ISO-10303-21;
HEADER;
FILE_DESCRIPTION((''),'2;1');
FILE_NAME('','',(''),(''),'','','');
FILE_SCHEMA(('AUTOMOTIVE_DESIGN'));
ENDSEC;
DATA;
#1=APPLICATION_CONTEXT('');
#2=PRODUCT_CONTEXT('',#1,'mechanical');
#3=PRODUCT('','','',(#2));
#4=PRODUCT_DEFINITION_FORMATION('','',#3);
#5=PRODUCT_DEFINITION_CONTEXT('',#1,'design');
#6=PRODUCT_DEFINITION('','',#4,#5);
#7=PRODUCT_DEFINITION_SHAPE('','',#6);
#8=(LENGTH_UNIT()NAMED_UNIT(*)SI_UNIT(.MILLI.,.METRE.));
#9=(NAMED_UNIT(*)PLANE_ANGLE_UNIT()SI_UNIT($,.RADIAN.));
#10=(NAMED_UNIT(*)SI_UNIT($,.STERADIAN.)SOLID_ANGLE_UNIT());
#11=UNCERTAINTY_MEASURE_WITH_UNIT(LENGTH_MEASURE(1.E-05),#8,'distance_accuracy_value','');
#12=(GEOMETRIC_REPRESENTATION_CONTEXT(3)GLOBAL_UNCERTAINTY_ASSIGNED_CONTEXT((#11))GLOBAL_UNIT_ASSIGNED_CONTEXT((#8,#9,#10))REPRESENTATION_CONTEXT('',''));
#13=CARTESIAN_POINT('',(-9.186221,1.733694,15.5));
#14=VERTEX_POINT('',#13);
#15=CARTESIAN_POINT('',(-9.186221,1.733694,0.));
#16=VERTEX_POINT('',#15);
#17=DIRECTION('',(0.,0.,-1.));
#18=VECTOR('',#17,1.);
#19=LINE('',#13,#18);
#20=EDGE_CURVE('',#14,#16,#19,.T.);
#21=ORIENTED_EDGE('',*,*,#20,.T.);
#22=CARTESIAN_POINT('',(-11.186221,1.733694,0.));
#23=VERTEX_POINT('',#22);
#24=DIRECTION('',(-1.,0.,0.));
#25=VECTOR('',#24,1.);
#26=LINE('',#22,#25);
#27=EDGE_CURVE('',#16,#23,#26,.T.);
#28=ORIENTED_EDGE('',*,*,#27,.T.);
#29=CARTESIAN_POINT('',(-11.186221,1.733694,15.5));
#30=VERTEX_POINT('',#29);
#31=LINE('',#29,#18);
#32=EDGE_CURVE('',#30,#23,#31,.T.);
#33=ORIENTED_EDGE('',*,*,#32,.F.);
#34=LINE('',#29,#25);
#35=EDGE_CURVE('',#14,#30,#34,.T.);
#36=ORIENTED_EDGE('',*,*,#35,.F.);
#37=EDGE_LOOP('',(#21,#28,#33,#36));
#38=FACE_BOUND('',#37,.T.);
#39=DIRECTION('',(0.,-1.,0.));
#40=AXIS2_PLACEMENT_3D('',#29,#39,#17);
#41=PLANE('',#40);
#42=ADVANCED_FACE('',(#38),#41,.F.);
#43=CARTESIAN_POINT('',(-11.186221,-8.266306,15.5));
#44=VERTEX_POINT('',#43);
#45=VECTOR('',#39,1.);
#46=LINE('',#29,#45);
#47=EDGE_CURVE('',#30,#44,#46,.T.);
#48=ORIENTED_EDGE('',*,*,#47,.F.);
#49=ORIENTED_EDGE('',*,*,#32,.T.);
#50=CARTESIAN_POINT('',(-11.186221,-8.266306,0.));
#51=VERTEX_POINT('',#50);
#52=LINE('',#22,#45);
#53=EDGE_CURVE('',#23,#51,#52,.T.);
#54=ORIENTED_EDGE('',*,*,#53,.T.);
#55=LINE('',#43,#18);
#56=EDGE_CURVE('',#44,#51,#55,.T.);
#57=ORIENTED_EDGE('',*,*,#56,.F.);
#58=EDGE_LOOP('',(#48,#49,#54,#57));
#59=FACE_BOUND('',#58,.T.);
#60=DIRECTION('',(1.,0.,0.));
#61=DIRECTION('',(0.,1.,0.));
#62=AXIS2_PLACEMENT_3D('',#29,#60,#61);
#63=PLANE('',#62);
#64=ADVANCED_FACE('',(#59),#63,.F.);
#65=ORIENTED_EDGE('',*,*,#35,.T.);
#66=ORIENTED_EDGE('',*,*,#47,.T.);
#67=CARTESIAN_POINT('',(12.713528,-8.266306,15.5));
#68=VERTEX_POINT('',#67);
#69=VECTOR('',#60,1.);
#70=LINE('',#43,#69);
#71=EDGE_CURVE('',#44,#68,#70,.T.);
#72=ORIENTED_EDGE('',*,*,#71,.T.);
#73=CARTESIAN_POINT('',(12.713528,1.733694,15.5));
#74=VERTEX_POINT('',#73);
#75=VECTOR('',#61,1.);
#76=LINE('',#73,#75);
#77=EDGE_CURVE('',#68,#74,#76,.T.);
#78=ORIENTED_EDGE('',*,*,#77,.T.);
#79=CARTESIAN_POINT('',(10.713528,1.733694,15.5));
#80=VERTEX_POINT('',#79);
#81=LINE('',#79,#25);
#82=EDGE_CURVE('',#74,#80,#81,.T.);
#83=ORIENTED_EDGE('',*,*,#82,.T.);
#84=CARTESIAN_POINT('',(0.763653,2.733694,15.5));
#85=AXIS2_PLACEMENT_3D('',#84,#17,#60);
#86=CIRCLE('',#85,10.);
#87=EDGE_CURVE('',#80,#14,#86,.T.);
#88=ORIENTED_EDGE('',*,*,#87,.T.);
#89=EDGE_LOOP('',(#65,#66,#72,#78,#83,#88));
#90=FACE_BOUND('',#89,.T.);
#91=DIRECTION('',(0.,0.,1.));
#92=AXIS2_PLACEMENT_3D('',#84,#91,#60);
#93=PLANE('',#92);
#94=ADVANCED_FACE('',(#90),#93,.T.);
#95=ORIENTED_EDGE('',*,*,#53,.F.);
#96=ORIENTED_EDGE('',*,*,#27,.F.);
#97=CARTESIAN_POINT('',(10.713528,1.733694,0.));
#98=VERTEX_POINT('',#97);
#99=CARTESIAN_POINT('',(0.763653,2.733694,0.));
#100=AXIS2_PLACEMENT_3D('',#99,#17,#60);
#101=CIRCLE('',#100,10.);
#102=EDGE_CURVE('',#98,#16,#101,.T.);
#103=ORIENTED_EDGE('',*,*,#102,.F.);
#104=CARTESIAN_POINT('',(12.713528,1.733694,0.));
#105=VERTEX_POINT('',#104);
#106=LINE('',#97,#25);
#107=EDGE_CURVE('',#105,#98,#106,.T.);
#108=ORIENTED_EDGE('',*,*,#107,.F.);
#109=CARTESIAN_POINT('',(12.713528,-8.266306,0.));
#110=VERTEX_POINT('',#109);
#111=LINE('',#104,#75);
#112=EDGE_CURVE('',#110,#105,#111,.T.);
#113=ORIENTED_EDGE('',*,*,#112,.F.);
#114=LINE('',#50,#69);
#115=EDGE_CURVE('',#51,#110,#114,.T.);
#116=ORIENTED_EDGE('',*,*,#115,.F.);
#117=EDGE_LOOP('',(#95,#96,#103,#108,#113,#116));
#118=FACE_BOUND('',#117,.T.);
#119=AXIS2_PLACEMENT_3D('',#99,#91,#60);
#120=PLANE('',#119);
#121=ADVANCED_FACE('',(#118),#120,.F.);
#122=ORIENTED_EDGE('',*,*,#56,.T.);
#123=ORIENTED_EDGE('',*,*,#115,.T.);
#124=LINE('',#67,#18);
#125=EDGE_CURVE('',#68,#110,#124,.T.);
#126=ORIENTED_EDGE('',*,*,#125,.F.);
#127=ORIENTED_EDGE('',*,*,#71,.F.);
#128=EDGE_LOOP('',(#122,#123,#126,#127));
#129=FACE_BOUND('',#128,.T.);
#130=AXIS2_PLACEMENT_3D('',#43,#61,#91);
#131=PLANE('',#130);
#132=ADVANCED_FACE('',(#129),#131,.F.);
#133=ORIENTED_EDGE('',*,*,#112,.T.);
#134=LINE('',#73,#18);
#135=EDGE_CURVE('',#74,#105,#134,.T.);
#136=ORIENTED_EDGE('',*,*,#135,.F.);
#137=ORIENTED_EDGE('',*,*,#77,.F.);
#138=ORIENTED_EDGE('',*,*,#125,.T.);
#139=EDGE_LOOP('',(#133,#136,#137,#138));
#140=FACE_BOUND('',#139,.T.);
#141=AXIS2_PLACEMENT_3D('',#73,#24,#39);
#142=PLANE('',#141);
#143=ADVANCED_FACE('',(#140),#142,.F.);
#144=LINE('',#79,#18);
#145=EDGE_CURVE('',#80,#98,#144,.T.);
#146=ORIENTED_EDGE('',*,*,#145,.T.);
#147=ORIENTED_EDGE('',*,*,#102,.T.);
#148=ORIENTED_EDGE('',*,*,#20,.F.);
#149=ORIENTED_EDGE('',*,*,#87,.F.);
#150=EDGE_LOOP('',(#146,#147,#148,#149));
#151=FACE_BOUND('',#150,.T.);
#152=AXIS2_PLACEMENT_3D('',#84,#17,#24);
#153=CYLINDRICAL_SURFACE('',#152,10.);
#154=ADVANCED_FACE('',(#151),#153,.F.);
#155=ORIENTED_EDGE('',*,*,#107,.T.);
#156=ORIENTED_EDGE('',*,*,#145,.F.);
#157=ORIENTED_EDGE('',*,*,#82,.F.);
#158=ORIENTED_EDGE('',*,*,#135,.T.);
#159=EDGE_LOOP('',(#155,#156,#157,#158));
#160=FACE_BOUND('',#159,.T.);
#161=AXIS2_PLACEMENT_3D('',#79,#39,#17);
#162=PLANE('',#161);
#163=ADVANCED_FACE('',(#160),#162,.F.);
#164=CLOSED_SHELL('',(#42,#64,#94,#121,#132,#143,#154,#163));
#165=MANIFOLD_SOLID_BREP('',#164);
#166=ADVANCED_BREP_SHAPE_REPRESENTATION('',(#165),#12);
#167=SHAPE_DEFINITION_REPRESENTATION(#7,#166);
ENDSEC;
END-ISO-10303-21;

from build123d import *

# Parameters (mm, degrees)
EXTRUDE_1_DEPTH = 15.5


with BuildPart() as part:
    # 草图1 → 凸台-拉伸1 (new body)
    with BuildSketch(Plane.XY):
        with BuildLine():
            Line((10.713527709, 1.733694434), (12.713527709, 1.733694434))
            Line((12.713527709, 1.733694434), (12.713527709, -8.266305566))
            Line((12.713527709, -8.266305566), (-11.186221033, -8.266305566))
            Line((-11.186221033, -8.266305566), (-11.186221033, 1.733694434))
            Line((-11.186221033, 1.733694434), (-9.186221033, 1.733694434))
            ThreePointArc((-9.186221033, 1.733694434), (0.763653338, -7.266305566), (10.713527709, 1.733694434))
        make_face()
    extrude(amount=EXTRUDE_1_DEPTH)


solid = part.part
